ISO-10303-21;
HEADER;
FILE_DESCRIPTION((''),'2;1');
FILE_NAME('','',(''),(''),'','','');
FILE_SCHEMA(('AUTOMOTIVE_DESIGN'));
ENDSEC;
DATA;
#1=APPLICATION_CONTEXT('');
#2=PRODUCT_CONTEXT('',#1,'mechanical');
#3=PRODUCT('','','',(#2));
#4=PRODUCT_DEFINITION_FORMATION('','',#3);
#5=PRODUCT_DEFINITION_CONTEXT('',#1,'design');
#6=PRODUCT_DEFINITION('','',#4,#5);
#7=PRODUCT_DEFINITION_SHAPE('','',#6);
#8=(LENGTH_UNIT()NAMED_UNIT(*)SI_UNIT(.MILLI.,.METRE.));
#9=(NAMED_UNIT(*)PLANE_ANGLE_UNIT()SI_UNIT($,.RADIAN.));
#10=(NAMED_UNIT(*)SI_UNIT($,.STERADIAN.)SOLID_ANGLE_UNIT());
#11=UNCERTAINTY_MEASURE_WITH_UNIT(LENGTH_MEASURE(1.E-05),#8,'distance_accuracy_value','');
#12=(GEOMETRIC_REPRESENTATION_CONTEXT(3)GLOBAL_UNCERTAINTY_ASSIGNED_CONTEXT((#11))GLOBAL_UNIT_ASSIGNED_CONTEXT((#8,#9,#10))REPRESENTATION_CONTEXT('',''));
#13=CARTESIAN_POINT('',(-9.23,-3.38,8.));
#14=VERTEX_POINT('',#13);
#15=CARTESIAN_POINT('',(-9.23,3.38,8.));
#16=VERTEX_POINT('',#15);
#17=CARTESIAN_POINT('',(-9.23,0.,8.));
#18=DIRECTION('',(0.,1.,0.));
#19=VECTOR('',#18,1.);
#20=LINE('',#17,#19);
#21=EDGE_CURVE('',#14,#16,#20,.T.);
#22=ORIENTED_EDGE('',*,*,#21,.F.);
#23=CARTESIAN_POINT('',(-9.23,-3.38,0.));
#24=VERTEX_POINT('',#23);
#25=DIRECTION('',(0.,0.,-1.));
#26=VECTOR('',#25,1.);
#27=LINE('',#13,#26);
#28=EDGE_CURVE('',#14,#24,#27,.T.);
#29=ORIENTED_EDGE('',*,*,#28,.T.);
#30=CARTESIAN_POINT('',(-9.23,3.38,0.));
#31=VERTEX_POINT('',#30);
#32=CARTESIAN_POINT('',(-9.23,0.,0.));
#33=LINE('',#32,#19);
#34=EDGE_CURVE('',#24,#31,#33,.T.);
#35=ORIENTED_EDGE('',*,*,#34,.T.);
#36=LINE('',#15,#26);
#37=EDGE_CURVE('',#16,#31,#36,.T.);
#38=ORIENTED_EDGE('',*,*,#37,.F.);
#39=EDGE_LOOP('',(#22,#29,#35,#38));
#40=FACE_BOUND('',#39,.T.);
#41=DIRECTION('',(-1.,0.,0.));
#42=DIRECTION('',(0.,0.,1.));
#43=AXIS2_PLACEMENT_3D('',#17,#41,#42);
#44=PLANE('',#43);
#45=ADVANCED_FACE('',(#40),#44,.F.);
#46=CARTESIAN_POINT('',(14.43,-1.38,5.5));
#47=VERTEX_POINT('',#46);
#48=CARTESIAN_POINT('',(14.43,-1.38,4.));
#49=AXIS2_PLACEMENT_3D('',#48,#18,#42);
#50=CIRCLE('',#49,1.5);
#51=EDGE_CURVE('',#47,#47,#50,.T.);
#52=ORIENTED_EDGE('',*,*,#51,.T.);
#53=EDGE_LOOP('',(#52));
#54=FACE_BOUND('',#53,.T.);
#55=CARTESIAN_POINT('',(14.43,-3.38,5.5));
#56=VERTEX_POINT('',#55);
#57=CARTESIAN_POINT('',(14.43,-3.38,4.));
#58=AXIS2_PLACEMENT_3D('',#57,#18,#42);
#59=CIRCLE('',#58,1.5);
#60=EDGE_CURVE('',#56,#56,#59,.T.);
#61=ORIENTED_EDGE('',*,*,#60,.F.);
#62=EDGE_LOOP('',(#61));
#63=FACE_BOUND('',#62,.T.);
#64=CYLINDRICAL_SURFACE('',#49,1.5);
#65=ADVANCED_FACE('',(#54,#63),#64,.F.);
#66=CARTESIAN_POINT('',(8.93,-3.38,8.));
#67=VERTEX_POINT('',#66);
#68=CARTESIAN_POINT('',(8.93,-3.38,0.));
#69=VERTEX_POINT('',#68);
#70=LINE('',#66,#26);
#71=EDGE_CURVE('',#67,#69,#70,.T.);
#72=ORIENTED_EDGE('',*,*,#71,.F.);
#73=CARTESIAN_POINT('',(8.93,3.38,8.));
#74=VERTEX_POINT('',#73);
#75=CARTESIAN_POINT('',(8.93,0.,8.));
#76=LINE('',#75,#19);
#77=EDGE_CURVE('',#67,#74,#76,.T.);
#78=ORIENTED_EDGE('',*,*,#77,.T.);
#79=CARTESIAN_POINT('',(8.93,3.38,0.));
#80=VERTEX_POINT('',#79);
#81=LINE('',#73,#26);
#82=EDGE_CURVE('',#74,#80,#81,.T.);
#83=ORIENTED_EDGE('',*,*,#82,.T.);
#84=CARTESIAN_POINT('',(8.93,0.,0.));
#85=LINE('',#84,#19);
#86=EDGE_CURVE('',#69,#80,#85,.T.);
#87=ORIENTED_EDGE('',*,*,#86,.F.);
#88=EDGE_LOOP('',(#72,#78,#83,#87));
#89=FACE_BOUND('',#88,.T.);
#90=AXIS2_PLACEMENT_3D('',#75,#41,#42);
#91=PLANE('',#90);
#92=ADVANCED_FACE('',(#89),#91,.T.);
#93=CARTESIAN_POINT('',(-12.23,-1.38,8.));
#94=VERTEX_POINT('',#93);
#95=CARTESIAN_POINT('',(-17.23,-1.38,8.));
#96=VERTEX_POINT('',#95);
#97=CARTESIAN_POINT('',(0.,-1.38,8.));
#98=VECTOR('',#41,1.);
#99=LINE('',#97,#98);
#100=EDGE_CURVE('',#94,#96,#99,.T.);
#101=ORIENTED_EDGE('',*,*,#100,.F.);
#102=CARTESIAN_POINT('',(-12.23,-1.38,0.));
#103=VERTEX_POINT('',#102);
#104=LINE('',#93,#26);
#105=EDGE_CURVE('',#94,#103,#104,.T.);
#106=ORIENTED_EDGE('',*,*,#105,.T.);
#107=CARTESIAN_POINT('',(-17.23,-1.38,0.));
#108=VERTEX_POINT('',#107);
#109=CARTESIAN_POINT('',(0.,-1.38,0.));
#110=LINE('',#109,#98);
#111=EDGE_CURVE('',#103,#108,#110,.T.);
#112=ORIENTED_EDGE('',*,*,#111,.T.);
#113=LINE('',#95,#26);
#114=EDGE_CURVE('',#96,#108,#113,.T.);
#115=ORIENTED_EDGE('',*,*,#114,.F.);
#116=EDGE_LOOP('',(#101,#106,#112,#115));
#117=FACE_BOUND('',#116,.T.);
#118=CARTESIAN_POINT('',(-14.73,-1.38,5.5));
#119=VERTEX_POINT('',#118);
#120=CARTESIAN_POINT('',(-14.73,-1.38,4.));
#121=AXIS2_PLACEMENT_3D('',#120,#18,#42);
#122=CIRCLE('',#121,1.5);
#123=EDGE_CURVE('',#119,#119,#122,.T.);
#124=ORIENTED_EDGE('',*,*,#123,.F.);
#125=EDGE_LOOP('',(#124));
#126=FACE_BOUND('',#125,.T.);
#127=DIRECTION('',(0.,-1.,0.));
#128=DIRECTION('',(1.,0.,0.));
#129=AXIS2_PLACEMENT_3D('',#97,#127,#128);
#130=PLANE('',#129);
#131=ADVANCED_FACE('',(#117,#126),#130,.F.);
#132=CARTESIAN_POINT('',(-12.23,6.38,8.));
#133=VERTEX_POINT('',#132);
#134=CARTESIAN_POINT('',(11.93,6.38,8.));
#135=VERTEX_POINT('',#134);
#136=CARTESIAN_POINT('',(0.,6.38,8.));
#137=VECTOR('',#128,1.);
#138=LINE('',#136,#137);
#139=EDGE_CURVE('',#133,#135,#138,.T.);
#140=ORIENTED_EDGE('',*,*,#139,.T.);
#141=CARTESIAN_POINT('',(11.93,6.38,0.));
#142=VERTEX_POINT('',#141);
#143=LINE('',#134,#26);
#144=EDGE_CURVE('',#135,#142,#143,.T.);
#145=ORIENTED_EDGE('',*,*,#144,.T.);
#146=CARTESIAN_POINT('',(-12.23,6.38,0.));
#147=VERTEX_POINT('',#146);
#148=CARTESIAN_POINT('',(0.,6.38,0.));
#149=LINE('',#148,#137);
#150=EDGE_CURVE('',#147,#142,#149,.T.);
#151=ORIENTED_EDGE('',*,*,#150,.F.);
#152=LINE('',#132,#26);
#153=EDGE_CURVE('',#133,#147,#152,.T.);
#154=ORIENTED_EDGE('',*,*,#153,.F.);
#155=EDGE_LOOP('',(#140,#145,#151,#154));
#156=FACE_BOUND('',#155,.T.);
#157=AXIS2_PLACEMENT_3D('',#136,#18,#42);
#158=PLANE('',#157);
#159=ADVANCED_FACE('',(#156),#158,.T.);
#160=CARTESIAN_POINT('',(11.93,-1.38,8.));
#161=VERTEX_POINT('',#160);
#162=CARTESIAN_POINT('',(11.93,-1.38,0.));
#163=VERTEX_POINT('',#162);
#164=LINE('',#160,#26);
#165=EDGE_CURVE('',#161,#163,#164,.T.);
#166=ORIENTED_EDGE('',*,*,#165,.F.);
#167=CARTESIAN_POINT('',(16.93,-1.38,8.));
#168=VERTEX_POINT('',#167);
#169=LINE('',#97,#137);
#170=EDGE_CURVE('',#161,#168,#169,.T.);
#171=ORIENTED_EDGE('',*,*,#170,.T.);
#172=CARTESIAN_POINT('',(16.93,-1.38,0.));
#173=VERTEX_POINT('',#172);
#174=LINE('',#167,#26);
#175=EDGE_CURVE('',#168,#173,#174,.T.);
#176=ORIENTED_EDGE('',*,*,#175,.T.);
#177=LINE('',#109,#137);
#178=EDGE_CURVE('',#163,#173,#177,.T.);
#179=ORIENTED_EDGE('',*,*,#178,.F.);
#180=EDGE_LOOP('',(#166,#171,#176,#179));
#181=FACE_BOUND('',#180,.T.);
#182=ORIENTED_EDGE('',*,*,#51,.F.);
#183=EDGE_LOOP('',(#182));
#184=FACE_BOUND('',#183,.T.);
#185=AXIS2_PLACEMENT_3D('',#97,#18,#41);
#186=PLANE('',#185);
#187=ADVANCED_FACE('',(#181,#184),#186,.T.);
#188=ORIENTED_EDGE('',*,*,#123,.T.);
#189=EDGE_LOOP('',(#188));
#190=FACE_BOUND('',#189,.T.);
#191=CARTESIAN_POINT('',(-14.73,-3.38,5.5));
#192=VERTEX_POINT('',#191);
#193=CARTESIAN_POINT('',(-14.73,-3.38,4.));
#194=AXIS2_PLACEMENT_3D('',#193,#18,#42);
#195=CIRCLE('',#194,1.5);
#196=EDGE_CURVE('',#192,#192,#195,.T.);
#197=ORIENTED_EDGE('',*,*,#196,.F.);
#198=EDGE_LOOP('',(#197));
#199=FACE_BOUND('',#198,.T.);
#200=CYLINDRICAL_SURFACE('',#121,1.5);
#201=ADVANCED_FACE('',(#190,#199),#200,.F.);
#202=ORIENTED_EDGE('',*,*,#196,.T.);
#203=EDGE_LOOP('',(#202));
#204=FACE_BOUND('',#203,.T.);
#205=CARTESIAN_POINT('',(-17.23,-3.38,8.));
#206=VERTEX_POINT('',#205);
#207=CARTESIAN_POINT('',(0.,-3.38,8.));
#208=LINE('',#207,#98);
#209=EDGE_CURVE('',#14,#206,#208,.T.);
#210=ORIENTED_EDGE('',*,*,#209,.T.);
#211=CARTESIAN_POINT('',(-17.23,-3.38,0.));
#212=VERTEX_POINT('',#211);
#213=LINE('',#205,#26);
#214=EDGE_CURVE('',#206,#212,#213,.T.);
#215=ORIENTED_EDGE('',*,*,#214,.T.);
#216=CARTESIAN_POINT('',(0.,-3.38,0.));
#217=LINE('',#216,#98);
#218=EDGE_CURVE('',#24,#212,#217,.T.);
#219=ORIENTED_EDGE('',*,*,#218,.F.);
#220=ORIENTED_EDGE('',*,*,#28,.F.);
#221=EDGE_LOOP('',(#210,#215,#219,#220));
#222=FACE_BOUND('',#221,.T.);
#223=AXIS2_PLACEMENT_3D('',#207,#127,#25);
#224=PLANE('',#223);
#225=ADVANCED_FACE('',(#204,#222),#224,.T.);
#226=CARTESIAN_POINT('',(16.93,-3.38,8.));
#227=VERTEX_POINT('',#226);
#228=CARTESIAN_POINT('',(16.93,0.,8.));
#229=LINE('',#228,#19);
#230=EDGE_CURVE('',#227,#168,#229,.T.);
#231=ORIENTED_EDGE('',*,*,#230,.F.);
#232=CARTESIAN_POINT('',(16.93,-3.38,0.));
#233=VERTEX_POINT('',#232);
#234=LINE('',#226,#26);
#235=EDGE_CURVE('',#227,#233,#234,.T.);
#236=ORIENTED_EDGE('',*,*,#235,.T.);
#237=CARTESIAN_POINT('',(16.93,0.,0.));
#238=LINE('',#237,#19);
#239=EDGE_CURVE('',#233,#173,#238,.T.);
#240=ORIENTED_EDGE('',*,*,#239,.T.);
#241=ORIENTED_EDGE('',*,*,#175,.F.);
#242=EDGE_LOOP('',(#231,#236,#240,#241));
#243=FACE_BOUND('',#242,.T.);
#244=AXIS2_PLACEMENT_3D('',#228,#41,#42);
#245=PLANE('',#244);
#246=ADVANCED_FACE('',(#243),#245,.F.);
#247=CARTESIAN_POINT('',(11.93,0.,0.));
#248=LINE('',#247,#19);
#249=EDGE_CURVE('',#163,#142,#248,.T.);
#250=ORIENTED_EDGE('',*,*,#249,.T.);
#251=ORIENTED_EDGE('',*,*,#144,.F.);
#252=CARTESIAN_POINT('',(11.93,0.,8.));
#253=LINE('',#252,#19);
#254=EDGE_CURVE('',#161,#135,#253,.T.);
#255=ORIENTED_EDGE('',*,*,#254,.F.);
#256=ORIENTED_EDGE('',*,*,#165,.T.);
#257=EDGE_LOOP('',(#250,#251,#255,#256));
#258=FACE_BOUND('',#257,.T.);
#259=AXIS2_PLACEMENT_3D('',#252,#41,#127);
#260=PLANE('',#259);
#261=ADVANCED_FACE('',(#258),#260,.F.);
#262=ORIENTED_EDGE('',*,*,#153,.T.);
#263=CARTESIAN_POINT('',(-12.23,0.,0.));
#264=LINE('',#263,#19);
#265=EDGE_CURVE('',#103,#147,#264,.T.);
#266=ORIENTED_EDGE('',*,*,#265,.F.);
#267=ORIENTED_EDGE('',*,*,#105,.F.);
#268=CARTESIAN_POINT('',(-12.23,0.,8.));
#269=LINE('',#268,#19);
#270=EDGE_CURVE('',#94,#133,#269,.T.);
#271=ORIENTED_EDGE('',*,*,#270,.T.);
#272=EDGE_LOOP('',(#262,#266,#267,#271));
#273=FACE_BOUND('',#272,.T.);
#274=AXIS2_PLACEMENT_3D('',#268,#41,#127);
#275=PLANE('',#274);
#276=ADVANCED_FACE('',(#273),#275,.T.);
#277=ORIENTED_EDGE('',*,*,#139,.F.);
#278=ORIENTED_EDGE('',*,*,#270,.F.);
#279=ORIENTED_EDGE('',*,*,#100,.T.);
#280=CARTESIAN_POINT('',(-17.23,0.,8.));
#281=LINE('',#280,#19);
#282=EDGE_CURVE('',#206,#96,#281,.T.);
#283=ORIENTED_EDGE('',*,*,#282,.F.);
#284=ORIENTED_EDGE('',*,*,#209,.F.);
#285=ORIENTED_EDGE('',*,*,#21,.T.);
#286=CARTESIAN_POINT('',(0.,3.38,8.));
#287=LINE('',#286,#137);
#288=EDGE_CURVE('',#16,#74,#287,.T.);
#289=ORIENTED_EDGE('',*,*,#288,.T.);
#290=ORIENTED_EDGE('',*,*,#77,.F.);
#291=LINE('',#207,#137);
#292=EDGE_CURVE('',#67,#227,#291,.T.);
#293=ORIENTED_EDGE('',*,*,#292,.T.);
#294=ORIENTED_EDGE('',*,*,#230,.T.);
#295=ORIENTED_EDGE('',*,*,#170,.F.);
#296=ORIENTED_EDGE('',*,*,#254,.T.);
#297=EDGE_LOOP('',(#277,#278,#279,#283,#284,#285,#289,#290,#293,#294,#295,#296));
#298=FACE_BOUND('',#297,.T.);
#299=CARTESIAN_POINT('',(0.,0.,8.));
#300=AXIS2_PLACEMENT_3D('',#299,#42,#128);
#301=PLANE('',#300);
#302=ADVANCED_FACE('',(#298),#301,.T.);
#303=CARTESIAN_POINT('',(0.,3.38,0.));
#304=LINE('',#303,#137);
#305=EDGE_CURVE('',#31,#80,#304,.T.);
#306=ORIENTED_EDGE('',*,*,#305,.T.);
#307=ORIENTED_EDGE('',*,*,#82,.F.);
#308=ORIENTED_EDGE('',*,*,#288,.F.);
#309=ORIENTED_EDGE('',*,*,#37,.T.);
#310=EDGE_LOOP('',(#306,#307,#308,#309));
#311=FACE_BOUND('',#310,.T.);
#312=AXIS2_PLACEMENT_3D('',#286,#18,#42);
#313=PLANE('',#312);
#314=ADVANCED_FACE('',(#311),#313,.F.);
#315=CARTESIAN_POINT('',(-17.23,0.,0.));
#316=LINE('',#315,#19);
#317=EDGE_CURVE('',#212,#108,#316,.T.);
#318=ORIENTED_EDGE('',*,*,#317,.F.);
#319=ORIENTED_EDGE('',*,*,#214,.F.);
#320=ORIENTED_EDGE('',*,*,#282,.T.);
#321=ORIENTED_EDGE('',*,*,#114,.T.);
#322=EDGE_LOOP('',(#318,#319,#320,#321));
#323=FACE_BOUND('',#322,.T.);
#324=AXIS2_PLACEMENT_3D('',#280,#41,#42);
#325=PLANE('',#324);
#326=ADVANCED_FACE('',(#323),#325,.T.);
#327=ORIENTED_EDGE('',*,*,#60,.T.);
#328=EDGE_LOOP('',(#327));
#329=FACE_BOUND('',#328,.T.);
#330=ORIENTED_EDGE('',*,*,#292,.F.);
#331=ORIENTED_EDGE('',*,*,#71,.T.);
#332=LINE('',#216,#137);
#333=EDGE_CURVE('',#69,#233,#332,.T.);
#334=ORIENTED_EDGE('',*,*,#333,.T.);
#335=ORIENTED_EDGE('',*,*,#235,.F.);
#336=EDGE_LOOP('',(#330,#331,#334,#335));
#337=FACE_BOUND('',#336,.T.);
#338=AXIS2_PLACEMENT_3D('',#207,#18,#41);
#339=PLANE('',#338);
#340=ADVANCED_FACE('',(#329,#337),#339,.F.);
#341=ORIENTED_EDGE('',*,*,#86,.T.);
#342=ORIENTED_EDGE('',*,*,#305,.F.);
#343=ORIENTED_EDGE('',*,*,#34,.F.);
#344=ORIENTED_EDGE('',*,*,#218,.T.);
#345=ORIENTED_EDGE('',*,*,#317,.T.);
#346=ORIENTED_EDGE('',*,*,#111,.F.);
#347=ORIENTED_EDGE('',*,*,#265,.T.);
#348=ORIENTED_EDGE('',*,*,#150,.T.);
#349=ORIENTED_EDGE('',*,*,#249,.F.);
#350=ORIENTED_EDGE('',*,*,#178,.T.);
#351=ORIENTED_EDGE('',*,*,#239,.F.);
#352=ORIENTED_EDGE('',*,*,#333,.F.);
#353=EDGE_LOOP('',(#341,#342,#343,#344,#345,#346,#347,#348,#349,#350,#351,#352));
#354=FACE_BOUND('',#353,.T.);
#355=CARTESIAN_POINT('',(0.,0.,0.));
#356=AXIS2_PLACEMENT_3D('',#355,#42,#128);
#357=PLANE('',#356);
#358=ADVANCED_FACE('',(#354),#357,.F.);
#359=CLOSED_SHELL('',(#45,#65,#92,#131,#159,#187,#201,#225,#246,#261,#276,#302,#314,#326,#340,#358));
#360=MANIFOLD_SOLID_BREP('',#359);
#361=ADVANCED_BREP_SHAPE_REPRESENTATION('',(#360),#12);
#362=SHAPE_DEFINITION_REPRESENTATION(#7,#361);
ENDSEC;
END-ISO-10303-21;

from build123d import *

# Parameters (mm, degrees)
BOSS_EXTRUDE1_DEPTH      = 8
F_3_0_3_DIAMETER_HOLE1_D = 3


with BuildPart() as part:
    # Sketch2 → Boss-Extrude1 (new body)
    with BuildSketch(Plane.XY):
        Polygon((11.93, -3.38), (16.93, -3.38), (16.93, -1.38), (11.93, -1.38), (11.93, 6.38), (-12.23, 6.38), (-12.23, -1.38), (-17.23, -1.38), (-17.23, -3.38), (-12.23, -3.38), (-9.23, -3.38), (-9.23, 3.38), (8.93, 3.38), (8.93, -3.38), align=None)
    extrude(amount=BOSS_EXTRUDE1_DEPTH)

    # Ø3.0 (3) Diameter Hole1 (through all)
    with Locations(Plane(origin=(0, -1.38, 0), x_dir=(1, 0, 0), z_dir=(0, 1, 0))):
        with Locations((14.43, -4), (-14.73, -4)):
            Hole(F_3_0_3_DIAMETER_HOLE1_D / 2)


solid = part.part
